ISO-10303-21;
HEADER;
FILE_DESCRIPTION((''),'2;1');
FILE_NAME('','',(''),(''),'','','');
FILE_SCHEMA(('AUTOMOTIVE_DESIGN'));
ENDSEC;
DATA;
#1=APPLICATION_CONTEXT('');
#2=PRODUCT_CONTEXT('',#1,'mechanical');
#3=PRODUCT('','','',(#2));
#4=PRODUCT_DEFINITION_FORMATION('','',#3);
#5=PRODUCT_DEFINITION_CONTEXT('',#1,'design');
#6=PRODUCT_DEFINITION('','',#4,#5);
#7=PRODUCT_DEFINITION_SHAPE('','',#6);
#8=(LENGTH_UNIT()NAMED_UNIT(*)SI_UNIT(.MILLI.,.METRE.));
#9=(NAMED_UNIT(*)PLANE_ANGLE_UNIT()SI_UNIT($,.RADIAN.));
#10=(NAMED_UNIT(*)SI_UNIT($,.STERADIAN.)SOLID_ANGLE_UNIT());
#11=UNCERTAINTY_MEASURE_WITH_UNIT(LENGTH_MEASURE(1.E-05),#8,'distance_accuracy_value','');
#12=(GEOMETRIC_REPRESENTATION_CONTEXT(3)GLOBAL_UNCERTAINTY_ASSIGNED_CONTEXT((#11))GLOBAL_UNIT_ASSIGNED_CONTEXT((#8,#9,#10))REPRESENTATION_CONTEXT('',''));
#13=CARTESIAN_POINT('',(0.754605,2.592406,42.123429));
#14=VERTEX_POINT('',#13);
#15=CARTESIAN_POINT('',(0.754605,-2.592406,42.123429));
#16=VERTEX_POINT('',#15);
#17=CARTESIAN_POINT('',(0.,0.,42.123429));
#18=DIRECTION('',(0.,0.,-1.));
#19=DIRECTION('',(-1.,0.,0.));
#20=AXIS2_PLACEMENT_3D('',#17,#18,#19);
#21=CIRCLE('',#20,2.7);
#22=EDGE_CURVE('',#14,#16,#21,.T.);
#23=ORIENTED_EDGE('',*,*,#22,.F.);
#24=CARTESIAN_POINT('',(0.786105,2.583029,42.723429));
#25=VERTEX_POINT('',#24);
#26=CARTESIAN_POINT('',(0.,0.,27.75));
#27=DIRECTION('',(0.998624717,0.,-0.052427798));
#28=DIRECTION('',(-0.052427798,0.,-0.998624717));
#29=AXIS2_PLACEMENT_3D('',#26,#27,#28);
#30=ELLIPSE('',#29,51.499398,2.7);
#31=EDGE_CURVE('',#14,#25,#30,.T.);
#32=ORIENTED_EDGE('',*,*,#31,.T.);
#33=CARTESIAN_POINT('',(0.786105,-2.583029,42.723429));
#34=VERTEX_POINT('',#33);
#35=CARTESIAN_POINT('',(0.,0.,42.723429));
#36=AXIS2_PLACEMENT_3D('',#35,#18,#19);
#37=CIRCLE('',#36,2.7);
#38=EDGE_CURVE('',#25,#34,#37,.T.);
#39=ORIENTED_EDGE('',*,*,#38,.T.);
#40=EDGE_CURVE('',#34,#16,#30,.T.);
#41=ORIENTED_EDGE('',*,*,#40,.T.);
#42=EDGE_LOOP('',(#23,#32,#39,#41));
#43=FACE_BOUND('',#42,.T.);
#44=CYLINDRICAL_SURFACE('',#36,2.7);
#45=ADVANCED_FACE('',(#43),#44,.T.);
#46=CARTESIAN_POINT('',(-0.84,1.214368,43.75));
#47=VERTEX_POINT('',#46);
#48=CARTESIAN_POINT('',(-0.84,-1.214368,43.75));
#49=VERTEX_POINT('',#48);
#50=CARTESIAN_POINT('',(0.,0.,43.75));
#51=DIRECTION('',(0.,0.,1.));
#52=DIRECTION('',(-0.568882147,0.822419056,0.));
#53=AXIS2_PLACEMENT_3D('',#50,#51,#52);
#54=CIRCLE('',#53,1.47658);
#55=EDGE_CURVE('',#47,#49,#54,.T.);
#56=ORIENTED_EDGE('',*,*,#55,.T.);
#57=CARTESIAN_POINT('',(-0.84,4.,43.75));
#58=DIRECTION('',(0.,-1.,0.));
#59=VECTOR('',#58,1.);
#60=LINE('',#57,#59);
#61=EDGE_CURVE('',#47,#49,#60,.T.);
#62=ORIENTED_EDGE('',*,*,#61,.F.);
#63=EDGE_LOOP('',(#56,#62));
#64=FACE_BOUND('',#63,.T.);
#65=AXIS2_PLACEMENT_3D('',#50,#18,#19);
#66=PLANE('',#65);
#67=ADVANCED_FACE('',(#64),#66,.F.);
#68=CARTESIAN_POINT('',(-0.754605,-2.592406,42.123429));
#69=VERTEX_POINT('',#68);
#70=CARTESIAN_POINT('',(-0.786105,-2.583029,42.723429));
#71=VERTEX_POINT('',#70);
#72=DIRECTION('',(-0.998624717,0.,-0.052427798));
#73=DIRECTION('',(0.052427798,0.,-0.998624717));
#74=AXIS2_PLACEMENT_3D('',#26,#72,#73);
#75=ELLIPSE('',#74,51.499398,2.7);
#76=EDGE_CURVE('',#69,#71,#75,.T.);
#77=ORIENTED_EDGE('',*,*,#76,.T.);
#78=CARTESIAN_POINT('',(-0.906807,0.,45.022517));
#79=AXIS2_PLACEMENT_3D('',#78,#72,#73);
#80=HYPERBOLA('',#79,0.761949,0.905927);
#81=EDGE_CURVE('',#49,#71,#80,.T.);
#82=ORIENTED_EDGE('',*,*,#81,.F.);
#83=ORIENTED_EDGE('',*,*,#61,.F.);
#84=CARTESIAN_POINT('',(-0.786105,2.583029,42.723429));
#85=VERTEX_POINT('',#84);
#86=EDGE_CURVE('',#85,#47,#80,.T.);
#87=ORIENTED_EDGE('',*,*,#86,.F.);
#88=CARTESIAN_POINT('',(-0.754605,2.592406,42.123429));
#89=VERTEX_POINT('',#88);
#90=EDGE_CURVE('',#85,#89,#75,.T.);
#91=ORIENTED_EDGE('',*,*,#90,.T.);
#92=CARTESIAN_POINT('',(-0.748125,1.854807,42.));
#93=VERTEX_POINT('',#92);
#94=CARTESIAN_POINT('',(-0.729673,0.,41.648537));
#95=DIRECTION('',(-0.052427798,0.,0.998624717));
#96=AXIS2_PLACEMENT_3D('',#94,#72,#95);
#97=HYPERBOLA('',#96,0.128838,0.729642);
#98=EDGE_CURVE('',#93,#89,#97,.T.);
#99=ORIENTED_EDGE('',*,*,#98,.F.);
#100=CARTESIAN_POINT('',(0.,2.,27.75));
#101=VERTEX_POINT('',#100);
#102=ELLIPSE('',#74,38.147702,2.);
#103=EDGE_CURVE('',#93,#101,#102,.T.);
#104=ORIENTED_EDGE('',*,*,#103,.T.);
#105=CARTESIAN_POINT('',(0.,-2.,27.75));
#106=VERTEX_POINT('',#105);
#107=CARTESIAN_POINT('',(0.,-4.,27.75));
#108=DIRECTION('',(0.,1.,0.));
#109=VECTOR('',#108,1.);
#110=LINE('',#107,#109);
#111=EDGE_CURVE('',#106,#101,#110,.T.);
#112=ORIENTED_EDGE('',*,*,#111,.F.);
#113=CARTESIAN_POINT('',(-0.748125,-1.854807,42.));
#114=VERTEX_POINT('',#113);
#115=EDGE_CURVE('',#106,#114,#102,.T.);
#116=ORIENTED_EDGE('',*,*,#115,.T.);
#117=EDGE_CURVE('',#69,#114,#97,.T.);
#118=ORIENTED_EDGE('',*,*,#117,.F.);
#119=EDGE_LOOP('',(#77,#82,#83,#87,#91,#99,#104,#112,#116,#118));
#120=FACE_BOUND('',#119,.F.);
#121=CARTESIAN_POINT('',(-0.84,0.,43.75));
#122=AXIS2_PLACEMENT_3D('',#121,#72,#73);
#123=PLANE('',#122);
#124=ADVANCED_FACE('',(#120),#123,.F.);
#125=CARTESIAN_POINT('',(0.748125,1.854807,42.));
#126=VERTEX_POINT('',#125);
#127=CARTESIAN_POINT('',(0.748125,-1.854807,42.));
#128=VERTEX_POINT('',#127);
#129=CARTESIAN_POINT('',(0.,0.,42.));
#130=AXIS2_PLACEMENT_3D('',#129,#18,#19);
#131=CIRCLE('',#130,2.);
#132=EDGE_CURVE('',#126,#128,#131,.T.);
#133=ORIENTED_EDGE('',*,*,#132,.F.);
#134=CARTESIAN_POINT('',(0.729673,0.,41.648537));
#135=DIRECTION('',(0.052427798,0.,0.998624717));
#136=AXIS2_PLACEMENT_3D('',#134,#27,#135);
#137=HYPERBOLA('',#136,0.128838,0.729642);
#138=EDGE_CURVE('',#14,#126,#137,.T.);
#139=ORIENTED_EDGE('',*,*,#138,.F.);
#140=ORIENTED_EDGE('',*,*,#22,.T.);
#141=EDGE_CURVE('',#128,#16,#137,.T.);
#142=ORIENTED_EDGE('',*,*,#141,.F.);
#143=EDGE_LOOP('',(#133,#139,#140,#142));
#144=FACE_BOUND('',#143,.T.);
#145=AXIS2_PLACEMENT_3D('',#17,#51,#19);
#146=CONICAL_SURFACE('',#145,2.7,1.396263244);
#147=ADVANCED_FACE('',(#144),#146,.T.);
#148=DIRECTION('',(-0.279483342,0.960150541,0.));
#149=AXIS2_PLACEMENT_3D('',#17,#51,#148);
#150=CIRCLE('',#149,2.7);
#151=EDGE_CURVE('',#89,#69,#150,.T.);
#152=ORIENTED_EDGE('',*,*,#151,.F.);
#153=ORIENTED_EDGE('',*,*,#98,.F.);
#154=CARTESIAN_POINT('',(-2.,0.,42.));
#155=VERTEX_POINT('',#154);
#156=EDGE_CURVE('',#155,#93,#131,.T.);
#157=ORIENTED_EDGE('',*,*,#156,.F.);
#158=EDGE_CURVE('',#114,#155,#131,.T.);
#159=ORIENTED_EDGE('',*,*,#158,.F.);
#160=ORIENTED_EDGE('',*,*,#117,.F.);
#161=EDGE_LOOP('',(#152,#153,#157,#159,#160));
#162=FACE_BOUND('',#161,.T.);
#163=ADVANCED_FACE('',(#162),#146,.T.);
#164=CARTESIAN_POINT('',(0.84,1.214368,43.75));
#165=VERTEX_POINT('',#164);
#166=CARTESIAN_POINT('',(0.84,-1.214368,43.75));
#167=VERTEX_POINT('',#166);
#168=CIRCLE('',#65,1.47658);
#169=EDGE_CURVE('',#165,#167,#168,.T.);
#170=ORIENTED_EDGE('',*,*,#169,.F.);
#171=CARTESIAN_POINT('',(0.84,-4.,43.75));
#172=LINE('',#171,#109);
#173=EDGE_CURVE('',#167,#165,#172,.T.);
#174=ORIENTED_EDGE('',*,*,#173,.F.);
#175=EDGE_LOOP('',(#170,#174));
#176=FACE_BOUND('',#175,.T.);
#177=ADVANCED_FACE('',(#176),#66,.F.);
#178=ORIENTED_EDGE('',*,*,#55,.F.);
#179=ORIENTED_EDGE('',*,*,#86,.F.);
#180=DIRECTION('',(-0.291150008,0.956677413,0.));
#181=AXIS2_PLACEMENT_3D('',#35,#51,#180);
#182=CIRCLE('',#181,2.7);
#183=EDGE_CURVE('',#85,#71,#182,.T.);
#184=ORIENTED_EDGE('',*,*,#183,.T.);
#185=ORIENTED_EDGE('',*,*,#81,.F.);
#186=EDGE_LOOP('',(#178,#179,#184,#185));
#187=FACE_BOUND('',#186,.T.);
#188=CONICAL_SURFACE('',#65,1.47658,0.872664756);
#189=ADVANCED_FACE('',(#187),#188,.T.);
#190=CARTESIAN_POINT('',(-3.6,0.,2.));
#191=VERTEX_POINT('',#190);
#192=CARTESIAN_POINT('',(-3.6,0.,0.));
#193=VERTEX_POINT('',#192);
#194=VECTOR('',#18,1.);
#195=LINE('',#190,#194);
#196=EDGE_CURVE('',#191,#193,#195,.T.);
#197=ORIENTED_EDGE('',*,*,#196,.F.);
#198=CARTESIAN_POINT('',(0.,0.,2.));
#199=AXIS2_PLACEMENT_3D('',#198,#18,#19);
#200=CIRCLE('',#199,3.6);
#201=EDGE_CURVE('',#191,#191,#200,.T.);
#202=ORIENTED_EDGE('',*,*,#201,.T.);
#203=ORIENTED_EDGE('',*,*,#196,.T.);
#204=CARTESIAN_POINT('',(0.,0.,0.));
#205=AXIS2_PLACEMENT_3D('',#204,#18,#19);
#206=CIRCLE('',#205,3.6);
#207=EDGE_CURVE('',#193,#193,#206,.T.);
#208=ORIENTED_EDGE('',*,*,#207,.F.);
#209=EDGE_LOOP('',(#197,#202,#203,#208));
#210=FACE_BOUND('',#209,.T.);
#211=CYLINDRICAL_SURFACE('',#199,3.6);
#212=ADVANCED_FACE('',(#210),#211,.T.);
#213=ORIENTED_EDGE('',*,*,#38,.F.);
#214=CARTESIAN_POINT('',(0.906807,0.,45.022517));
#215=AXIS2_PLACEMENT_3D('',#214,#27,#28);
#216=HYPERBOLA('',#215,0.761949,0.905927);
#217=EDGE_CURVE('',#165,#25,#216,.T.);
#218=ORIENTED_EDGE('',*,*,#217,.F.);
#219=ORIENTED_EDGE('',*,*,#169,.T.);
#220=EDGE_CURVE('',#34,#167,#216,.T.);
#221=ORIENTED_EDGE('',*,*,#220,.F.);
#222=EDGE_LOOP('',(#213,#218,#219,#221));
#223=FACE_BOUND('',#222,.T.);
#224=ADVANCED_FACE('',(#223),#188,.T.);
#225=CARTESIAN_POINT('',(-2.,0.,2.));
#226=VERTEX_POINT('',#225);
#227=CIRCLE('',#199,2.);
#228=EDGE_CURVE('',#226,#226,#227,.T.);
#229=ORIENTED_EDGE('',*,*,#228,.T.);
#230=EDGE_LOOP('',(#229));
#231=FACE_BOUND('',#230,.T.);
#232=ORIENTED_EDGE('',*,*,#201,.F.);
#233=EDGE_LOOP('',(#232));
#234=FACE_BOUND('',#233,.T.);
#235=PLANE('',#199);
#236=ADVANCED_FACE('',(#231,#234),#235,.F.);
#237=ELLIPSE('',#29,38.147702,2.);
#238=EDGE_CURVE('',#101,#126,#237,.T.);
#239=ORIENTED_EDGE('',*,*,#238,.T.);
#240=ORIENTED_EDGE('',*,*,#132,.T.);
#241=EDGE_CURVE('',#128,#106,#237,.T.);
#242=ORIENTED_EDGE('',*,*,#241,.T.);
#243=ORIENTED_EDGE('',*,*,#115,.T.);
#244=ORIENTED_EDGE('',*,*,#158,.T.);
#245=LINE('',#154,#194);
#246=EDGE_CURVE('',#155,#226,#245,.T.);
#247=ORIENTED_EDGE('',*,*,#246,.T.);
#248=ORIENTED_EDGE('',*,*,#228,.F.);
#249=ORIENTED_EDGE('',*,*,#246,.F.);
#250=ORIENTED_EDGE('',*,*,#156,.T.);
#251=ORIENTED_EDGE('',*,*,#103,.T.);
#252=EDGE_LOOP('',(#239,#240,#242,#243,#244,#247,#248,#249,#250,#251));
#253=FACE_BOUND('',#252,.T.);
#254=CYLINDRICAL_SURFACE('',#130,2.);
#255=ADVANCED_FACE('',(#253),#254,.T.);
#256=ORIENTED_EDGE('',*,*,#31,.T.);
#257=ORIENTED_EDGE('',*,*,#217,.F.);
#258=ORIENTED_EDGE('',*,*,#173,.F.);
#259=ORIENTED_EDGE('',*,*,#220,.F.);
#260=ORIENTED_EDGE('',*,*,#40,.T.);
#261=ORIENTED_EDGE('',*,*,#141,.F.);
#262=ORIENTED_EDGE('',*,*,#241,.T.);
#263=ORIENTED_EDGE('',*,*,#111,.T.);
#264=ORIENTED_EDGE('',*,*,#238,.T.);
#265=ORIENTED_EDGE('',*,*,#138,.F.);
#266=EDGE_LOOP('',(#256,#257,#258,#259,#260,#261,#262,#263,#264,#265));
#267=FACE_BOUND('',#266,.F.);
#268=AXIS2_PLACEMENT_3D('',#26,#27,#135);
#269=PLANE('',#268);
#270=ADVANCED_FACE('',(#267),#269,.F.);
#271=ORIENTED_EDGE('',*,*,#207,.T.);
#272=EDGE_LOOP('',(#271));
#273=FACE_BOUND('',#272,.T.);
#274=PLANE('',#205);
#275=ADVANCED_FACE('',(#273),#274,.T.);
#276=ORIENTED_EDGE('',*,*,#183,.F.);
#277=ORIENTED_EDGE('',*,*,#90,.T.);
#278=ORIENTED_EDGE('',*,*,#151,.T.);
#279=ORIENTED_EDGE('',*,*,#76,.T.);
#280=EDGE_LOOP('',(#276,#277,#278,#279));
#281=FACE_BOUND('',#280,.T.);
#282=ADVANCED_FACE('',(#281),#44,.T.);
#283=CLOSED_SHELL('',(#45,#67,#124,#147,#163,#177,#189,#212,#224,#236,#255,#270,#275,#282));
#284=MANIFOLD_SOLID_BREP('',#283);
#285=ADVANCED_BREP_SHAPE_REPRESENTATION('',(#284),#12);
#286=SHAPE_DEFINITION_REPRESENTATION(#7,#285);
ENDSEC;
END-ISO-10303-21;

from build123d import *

# Parameters (mm, degrees)
F3_DEPTH      = 4
F3_DEPTH_BACK = 4


with BuildPart() as f2:
    # F0 (on Front) → F2 (revolve)
    with BuildSketch(Plane.XZ):
        Polygon((0, 43.75), (-1.47658, 43.75), (-2.7, 42.723429), (-2.7, 42.123429), (-2, 42), (-2, 2), (-3.6, 2), (-3.6, 0), (0, 0), align=None)
    revolve(axis=Axis((0, 0, -1.246396), (0, 0, -1)))


with BuildPart() as f3:
    # F1 (on Front) → F3 (new body, two sides)
    with BuildSketch(Plane.XZ) as f3_sk:
        Polygon((0.84, 43.75), (-0.84, 43.75), (0, 27.75), align=None)
    extrude(amount=F3_DEPTH)
    extrude(f3_sk.sketch, amount=-F3_DEPTH_BACK)


with BuildPart() as f2_1:
    add(f2.part)

    # F4: cut F3
    add(f3.part, mode=Mode.SUBTRACT)


solid = f2_1.part
